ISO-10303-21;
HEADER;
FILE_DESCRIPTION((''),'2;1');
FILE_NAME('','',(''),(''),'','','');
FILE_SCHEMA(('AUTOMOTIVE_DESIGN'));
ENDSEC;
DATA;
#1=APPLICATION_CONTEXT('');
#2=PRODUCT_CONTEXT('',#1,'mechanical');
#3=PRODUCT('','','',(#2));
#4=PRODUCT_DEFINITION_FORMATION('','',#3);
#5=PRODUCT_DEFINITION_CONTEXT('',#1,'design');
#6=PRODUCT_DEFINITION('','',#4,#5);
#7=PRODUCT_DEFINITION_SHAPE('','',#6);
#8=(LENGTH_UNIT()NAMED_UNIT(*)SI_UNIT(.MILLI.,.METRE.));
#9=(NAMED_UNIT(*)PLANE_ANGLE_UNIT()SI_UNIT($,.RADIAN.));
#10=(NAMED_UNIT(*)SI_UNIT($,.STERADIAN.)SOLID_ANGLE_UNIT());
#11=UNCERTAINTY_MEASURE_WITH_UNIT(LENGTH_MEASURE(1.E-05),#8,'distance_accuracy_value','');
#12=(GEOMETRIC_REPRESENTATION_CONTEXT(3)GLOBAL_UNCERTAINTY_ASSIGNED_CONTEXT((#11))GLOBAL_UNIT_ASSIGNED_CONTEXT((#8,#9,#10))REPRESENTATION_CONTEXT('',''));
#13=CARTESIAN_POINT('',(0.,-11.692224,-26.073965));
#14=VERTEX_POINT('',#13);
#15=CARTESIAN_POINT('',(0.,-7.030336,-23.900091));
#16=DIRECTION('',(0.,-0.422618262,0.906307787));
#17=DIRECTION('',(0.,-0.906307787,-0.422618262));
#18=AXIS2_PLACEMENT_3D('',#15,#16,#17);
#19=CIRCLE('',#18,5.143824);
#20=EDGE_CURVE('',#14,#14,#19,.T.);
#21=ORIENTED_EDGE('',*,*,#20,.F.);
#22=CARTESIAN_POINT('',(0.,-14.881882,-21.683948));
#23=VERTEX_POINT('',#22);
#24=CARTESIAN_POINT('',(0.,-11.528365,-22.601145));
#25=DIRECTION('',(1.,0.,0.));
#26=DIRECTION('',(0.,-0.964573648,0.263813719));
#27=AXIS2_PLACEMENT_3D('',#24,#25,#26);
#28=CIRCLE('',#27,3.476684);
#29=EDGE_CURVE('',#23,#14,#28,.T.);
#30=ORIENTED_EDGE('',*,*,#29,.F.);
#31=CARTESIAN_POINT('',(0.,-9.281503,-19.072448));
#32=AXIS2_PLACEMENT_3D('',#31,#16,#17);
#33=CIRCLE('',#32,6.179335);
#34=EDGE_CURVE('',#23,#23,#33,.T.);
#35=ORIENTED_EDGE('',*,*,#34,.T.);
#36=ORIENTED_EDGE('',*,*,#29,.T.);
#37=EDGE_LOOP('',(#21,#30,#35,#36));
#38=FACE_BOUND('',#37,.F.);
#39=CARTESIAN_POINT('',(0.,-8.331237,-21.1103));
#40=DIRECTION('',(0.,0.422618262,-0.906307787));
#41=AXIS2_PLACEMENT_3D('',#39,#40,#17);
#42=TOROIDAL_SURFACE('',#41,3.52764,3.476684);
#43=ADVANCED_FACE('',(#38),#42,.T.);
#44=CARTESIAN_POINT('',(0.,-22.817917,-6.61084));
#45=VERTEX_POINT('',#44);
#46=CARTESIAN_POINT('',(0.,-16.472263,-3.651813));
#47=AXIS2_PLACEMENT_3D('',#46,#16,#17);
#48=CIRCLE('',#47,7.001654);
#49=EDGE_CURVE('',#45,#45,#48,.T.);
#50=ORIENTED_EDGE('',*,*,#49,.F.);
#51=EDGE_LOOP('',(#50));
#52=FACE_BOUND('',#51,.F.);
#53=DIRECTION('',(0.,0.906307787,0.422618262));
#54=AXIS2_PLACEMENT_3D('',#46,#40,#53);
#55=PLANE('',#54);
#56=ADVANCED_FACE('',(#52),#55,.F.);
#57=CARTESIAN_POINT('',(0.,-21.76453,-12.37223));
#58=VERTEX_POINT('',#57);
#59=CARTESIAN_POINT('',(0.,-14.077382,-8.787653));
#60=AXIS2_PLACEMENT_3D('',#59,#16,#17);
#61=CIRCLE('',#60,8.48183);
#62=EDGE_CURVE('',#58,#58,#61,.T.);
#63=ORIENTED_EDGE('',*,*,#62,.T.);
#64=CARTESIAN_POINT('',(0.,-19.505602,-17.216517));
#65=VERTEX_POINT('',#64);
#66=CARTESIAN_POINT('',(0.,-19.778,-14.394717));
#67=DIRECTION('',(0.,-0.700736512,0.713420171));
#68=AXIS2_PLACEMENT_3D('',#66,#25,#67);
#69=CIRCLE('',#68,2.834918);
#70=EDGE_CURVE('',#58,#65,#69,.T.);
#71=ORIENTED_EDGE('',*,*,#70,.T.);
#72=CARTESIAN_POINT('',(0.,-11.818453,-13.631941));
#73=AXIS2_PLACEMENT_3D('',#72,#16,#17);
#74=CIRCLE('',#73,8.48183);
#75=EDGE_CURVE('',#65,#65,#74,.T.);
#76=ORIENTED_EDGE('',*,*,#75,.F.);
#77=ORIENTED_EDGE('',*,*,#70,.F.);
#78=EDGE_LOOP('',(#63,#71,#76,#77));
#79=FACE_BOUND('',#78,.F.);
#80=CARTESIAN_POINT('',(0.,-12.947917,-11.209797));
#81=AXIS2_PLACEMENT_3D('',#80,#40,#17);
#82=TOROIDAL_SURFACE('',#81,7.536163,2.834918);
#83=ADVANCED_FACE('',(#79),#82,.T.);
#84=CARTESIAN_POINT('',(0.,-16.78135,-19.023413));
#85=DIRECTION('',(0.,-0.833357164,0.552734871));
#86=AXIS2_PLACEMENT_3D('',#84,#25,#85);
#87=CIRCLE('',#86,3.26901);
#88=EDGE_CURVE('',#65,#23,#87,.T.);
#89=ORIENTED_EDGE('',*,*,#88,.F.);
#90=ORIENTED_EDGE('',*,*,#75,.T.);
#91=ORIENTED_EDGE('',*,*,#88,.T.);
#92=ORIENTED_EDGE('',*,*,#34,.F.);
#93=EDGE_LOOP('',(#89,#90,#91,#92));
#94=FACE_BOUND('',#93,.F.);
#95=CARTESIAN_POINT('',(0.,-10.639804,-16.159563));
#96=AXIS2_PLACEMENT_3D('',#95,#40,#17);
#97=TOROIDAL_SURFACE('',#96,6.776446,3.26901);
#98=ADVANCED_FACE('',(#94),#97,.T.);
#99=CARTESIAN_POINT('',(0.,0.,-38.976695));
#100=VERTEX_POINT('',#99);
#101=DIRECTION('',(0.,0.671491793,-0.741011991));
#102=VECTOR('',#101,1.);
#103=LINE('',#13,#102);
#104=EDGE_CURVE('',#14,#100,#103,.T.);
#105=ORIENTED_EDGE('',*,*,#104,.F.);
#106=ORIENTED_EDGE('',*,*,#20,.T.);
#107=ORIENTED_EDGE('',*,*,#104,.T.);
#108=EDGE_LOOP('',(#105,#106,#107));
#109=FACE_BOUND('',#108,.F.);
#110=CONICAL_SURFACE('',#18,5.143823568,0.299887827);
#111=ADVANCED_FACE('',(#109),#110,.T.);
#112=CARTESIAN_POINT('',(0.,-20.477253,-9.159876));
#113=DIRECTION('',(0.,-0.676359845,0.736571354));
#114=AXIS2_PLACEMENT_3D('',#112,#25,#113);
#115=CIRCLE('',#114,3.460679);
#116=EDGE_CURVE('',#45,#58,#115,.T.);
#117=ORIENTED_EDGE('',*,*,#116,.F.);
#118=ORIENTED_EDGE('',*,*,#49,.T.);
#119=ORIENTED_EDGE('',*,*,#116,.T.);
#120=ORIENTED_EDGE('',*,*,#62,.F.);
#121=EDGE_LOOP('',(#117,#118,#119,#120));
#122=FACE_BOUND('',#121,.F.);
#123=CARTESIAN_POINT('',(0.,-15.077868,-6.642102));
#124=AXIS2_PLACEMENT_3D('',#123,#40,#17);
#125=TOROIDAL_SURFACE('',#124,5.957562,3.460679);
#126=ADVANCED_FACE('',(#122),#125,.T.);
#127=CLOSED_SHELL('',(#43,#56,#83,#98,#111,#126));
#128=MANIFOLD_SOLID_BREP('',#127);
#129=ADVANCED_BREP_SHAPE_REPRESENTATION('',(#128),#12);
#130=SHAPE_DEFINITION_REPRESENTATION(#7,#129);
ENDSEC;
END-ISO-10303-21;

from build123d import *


with BuildPart() as f1:
    # F0 (on Right) → F1 (revolve)
    with BuildSketch(Plane.YZ):
        with BuildLine():
            ThreePointArc((-22.8179170179, -6.6108397913), (-23.8814993263, -9.7822935139), (-21.7645304706, -12.3722295951))
            Line((-21.7645304706, -12.3722295951), (-14.0773815683, -8.7876531926))
            Line((-14.0773815683, -8.7876531926), (-16.4722632535, -3.651812845))
            Line((-16.4722632535, -3.651812845), (-22.8179170179, -6.6108397913))
        make_face()
        with BuildLine():
            ThreePointArc((-21.7645304706, -12.3722295951), (-22.3473080901, -15.5928049121), (-19.5056020319, -17.2165172648))
            Line((-19.5056020319, -17.2165172648), (-11.8184531296, -13.6319408623))
            Line((-11.8184531296, -13.6319408623), (-14.0773815683, -8.7876531926))
            Line((-14.0773815683, -8.7876531926), (-21.7645304706, -12.3722295951))
        make_face()
        with BuildLine():
            ThreePointArc((-19.5056020319, -17.2165172648), (-19.052814126, -21.374342804), (-14.881881992, -21.68394777))
            Line((-14.881881992, -21.68394777), (-9.2815029291, -19.0724481244))
            Line((-9.2815029291, -19.0724481244), (-11.8184531296, -13.6319408623))
            Line((-11.8184531296, -13.6319408623), (-19.5056020319, -17.2165172648))
        make_face()
        with BuildLine():
            ThreePointArc((-14.881881992, -21.68394777), (-14.3410227872, -24.6447401421), (-11.6922235173, -26.0739646091))
            Line((-11.6922235173, -26.0739646091), (-7.0303361627, -23.9000908342))
            Line((-7.0303361627, -23.9000908342), (-9.2815029291, -19.0724481244))
            Line((-9.2815029291, -19.0724481244), (-14.881881992, -21.68394777))
        make_face()
        Polygon((-11.6922235173, -26.0739646091), (0, -38.9766953886), (-7.0303361627, -23.9000908342), align=None)
    revolve(axis=Axis((0, -11.7512997081, -13.7759518396), (0, -0.4226182617, 0.906307787)))


solid = f1.part
